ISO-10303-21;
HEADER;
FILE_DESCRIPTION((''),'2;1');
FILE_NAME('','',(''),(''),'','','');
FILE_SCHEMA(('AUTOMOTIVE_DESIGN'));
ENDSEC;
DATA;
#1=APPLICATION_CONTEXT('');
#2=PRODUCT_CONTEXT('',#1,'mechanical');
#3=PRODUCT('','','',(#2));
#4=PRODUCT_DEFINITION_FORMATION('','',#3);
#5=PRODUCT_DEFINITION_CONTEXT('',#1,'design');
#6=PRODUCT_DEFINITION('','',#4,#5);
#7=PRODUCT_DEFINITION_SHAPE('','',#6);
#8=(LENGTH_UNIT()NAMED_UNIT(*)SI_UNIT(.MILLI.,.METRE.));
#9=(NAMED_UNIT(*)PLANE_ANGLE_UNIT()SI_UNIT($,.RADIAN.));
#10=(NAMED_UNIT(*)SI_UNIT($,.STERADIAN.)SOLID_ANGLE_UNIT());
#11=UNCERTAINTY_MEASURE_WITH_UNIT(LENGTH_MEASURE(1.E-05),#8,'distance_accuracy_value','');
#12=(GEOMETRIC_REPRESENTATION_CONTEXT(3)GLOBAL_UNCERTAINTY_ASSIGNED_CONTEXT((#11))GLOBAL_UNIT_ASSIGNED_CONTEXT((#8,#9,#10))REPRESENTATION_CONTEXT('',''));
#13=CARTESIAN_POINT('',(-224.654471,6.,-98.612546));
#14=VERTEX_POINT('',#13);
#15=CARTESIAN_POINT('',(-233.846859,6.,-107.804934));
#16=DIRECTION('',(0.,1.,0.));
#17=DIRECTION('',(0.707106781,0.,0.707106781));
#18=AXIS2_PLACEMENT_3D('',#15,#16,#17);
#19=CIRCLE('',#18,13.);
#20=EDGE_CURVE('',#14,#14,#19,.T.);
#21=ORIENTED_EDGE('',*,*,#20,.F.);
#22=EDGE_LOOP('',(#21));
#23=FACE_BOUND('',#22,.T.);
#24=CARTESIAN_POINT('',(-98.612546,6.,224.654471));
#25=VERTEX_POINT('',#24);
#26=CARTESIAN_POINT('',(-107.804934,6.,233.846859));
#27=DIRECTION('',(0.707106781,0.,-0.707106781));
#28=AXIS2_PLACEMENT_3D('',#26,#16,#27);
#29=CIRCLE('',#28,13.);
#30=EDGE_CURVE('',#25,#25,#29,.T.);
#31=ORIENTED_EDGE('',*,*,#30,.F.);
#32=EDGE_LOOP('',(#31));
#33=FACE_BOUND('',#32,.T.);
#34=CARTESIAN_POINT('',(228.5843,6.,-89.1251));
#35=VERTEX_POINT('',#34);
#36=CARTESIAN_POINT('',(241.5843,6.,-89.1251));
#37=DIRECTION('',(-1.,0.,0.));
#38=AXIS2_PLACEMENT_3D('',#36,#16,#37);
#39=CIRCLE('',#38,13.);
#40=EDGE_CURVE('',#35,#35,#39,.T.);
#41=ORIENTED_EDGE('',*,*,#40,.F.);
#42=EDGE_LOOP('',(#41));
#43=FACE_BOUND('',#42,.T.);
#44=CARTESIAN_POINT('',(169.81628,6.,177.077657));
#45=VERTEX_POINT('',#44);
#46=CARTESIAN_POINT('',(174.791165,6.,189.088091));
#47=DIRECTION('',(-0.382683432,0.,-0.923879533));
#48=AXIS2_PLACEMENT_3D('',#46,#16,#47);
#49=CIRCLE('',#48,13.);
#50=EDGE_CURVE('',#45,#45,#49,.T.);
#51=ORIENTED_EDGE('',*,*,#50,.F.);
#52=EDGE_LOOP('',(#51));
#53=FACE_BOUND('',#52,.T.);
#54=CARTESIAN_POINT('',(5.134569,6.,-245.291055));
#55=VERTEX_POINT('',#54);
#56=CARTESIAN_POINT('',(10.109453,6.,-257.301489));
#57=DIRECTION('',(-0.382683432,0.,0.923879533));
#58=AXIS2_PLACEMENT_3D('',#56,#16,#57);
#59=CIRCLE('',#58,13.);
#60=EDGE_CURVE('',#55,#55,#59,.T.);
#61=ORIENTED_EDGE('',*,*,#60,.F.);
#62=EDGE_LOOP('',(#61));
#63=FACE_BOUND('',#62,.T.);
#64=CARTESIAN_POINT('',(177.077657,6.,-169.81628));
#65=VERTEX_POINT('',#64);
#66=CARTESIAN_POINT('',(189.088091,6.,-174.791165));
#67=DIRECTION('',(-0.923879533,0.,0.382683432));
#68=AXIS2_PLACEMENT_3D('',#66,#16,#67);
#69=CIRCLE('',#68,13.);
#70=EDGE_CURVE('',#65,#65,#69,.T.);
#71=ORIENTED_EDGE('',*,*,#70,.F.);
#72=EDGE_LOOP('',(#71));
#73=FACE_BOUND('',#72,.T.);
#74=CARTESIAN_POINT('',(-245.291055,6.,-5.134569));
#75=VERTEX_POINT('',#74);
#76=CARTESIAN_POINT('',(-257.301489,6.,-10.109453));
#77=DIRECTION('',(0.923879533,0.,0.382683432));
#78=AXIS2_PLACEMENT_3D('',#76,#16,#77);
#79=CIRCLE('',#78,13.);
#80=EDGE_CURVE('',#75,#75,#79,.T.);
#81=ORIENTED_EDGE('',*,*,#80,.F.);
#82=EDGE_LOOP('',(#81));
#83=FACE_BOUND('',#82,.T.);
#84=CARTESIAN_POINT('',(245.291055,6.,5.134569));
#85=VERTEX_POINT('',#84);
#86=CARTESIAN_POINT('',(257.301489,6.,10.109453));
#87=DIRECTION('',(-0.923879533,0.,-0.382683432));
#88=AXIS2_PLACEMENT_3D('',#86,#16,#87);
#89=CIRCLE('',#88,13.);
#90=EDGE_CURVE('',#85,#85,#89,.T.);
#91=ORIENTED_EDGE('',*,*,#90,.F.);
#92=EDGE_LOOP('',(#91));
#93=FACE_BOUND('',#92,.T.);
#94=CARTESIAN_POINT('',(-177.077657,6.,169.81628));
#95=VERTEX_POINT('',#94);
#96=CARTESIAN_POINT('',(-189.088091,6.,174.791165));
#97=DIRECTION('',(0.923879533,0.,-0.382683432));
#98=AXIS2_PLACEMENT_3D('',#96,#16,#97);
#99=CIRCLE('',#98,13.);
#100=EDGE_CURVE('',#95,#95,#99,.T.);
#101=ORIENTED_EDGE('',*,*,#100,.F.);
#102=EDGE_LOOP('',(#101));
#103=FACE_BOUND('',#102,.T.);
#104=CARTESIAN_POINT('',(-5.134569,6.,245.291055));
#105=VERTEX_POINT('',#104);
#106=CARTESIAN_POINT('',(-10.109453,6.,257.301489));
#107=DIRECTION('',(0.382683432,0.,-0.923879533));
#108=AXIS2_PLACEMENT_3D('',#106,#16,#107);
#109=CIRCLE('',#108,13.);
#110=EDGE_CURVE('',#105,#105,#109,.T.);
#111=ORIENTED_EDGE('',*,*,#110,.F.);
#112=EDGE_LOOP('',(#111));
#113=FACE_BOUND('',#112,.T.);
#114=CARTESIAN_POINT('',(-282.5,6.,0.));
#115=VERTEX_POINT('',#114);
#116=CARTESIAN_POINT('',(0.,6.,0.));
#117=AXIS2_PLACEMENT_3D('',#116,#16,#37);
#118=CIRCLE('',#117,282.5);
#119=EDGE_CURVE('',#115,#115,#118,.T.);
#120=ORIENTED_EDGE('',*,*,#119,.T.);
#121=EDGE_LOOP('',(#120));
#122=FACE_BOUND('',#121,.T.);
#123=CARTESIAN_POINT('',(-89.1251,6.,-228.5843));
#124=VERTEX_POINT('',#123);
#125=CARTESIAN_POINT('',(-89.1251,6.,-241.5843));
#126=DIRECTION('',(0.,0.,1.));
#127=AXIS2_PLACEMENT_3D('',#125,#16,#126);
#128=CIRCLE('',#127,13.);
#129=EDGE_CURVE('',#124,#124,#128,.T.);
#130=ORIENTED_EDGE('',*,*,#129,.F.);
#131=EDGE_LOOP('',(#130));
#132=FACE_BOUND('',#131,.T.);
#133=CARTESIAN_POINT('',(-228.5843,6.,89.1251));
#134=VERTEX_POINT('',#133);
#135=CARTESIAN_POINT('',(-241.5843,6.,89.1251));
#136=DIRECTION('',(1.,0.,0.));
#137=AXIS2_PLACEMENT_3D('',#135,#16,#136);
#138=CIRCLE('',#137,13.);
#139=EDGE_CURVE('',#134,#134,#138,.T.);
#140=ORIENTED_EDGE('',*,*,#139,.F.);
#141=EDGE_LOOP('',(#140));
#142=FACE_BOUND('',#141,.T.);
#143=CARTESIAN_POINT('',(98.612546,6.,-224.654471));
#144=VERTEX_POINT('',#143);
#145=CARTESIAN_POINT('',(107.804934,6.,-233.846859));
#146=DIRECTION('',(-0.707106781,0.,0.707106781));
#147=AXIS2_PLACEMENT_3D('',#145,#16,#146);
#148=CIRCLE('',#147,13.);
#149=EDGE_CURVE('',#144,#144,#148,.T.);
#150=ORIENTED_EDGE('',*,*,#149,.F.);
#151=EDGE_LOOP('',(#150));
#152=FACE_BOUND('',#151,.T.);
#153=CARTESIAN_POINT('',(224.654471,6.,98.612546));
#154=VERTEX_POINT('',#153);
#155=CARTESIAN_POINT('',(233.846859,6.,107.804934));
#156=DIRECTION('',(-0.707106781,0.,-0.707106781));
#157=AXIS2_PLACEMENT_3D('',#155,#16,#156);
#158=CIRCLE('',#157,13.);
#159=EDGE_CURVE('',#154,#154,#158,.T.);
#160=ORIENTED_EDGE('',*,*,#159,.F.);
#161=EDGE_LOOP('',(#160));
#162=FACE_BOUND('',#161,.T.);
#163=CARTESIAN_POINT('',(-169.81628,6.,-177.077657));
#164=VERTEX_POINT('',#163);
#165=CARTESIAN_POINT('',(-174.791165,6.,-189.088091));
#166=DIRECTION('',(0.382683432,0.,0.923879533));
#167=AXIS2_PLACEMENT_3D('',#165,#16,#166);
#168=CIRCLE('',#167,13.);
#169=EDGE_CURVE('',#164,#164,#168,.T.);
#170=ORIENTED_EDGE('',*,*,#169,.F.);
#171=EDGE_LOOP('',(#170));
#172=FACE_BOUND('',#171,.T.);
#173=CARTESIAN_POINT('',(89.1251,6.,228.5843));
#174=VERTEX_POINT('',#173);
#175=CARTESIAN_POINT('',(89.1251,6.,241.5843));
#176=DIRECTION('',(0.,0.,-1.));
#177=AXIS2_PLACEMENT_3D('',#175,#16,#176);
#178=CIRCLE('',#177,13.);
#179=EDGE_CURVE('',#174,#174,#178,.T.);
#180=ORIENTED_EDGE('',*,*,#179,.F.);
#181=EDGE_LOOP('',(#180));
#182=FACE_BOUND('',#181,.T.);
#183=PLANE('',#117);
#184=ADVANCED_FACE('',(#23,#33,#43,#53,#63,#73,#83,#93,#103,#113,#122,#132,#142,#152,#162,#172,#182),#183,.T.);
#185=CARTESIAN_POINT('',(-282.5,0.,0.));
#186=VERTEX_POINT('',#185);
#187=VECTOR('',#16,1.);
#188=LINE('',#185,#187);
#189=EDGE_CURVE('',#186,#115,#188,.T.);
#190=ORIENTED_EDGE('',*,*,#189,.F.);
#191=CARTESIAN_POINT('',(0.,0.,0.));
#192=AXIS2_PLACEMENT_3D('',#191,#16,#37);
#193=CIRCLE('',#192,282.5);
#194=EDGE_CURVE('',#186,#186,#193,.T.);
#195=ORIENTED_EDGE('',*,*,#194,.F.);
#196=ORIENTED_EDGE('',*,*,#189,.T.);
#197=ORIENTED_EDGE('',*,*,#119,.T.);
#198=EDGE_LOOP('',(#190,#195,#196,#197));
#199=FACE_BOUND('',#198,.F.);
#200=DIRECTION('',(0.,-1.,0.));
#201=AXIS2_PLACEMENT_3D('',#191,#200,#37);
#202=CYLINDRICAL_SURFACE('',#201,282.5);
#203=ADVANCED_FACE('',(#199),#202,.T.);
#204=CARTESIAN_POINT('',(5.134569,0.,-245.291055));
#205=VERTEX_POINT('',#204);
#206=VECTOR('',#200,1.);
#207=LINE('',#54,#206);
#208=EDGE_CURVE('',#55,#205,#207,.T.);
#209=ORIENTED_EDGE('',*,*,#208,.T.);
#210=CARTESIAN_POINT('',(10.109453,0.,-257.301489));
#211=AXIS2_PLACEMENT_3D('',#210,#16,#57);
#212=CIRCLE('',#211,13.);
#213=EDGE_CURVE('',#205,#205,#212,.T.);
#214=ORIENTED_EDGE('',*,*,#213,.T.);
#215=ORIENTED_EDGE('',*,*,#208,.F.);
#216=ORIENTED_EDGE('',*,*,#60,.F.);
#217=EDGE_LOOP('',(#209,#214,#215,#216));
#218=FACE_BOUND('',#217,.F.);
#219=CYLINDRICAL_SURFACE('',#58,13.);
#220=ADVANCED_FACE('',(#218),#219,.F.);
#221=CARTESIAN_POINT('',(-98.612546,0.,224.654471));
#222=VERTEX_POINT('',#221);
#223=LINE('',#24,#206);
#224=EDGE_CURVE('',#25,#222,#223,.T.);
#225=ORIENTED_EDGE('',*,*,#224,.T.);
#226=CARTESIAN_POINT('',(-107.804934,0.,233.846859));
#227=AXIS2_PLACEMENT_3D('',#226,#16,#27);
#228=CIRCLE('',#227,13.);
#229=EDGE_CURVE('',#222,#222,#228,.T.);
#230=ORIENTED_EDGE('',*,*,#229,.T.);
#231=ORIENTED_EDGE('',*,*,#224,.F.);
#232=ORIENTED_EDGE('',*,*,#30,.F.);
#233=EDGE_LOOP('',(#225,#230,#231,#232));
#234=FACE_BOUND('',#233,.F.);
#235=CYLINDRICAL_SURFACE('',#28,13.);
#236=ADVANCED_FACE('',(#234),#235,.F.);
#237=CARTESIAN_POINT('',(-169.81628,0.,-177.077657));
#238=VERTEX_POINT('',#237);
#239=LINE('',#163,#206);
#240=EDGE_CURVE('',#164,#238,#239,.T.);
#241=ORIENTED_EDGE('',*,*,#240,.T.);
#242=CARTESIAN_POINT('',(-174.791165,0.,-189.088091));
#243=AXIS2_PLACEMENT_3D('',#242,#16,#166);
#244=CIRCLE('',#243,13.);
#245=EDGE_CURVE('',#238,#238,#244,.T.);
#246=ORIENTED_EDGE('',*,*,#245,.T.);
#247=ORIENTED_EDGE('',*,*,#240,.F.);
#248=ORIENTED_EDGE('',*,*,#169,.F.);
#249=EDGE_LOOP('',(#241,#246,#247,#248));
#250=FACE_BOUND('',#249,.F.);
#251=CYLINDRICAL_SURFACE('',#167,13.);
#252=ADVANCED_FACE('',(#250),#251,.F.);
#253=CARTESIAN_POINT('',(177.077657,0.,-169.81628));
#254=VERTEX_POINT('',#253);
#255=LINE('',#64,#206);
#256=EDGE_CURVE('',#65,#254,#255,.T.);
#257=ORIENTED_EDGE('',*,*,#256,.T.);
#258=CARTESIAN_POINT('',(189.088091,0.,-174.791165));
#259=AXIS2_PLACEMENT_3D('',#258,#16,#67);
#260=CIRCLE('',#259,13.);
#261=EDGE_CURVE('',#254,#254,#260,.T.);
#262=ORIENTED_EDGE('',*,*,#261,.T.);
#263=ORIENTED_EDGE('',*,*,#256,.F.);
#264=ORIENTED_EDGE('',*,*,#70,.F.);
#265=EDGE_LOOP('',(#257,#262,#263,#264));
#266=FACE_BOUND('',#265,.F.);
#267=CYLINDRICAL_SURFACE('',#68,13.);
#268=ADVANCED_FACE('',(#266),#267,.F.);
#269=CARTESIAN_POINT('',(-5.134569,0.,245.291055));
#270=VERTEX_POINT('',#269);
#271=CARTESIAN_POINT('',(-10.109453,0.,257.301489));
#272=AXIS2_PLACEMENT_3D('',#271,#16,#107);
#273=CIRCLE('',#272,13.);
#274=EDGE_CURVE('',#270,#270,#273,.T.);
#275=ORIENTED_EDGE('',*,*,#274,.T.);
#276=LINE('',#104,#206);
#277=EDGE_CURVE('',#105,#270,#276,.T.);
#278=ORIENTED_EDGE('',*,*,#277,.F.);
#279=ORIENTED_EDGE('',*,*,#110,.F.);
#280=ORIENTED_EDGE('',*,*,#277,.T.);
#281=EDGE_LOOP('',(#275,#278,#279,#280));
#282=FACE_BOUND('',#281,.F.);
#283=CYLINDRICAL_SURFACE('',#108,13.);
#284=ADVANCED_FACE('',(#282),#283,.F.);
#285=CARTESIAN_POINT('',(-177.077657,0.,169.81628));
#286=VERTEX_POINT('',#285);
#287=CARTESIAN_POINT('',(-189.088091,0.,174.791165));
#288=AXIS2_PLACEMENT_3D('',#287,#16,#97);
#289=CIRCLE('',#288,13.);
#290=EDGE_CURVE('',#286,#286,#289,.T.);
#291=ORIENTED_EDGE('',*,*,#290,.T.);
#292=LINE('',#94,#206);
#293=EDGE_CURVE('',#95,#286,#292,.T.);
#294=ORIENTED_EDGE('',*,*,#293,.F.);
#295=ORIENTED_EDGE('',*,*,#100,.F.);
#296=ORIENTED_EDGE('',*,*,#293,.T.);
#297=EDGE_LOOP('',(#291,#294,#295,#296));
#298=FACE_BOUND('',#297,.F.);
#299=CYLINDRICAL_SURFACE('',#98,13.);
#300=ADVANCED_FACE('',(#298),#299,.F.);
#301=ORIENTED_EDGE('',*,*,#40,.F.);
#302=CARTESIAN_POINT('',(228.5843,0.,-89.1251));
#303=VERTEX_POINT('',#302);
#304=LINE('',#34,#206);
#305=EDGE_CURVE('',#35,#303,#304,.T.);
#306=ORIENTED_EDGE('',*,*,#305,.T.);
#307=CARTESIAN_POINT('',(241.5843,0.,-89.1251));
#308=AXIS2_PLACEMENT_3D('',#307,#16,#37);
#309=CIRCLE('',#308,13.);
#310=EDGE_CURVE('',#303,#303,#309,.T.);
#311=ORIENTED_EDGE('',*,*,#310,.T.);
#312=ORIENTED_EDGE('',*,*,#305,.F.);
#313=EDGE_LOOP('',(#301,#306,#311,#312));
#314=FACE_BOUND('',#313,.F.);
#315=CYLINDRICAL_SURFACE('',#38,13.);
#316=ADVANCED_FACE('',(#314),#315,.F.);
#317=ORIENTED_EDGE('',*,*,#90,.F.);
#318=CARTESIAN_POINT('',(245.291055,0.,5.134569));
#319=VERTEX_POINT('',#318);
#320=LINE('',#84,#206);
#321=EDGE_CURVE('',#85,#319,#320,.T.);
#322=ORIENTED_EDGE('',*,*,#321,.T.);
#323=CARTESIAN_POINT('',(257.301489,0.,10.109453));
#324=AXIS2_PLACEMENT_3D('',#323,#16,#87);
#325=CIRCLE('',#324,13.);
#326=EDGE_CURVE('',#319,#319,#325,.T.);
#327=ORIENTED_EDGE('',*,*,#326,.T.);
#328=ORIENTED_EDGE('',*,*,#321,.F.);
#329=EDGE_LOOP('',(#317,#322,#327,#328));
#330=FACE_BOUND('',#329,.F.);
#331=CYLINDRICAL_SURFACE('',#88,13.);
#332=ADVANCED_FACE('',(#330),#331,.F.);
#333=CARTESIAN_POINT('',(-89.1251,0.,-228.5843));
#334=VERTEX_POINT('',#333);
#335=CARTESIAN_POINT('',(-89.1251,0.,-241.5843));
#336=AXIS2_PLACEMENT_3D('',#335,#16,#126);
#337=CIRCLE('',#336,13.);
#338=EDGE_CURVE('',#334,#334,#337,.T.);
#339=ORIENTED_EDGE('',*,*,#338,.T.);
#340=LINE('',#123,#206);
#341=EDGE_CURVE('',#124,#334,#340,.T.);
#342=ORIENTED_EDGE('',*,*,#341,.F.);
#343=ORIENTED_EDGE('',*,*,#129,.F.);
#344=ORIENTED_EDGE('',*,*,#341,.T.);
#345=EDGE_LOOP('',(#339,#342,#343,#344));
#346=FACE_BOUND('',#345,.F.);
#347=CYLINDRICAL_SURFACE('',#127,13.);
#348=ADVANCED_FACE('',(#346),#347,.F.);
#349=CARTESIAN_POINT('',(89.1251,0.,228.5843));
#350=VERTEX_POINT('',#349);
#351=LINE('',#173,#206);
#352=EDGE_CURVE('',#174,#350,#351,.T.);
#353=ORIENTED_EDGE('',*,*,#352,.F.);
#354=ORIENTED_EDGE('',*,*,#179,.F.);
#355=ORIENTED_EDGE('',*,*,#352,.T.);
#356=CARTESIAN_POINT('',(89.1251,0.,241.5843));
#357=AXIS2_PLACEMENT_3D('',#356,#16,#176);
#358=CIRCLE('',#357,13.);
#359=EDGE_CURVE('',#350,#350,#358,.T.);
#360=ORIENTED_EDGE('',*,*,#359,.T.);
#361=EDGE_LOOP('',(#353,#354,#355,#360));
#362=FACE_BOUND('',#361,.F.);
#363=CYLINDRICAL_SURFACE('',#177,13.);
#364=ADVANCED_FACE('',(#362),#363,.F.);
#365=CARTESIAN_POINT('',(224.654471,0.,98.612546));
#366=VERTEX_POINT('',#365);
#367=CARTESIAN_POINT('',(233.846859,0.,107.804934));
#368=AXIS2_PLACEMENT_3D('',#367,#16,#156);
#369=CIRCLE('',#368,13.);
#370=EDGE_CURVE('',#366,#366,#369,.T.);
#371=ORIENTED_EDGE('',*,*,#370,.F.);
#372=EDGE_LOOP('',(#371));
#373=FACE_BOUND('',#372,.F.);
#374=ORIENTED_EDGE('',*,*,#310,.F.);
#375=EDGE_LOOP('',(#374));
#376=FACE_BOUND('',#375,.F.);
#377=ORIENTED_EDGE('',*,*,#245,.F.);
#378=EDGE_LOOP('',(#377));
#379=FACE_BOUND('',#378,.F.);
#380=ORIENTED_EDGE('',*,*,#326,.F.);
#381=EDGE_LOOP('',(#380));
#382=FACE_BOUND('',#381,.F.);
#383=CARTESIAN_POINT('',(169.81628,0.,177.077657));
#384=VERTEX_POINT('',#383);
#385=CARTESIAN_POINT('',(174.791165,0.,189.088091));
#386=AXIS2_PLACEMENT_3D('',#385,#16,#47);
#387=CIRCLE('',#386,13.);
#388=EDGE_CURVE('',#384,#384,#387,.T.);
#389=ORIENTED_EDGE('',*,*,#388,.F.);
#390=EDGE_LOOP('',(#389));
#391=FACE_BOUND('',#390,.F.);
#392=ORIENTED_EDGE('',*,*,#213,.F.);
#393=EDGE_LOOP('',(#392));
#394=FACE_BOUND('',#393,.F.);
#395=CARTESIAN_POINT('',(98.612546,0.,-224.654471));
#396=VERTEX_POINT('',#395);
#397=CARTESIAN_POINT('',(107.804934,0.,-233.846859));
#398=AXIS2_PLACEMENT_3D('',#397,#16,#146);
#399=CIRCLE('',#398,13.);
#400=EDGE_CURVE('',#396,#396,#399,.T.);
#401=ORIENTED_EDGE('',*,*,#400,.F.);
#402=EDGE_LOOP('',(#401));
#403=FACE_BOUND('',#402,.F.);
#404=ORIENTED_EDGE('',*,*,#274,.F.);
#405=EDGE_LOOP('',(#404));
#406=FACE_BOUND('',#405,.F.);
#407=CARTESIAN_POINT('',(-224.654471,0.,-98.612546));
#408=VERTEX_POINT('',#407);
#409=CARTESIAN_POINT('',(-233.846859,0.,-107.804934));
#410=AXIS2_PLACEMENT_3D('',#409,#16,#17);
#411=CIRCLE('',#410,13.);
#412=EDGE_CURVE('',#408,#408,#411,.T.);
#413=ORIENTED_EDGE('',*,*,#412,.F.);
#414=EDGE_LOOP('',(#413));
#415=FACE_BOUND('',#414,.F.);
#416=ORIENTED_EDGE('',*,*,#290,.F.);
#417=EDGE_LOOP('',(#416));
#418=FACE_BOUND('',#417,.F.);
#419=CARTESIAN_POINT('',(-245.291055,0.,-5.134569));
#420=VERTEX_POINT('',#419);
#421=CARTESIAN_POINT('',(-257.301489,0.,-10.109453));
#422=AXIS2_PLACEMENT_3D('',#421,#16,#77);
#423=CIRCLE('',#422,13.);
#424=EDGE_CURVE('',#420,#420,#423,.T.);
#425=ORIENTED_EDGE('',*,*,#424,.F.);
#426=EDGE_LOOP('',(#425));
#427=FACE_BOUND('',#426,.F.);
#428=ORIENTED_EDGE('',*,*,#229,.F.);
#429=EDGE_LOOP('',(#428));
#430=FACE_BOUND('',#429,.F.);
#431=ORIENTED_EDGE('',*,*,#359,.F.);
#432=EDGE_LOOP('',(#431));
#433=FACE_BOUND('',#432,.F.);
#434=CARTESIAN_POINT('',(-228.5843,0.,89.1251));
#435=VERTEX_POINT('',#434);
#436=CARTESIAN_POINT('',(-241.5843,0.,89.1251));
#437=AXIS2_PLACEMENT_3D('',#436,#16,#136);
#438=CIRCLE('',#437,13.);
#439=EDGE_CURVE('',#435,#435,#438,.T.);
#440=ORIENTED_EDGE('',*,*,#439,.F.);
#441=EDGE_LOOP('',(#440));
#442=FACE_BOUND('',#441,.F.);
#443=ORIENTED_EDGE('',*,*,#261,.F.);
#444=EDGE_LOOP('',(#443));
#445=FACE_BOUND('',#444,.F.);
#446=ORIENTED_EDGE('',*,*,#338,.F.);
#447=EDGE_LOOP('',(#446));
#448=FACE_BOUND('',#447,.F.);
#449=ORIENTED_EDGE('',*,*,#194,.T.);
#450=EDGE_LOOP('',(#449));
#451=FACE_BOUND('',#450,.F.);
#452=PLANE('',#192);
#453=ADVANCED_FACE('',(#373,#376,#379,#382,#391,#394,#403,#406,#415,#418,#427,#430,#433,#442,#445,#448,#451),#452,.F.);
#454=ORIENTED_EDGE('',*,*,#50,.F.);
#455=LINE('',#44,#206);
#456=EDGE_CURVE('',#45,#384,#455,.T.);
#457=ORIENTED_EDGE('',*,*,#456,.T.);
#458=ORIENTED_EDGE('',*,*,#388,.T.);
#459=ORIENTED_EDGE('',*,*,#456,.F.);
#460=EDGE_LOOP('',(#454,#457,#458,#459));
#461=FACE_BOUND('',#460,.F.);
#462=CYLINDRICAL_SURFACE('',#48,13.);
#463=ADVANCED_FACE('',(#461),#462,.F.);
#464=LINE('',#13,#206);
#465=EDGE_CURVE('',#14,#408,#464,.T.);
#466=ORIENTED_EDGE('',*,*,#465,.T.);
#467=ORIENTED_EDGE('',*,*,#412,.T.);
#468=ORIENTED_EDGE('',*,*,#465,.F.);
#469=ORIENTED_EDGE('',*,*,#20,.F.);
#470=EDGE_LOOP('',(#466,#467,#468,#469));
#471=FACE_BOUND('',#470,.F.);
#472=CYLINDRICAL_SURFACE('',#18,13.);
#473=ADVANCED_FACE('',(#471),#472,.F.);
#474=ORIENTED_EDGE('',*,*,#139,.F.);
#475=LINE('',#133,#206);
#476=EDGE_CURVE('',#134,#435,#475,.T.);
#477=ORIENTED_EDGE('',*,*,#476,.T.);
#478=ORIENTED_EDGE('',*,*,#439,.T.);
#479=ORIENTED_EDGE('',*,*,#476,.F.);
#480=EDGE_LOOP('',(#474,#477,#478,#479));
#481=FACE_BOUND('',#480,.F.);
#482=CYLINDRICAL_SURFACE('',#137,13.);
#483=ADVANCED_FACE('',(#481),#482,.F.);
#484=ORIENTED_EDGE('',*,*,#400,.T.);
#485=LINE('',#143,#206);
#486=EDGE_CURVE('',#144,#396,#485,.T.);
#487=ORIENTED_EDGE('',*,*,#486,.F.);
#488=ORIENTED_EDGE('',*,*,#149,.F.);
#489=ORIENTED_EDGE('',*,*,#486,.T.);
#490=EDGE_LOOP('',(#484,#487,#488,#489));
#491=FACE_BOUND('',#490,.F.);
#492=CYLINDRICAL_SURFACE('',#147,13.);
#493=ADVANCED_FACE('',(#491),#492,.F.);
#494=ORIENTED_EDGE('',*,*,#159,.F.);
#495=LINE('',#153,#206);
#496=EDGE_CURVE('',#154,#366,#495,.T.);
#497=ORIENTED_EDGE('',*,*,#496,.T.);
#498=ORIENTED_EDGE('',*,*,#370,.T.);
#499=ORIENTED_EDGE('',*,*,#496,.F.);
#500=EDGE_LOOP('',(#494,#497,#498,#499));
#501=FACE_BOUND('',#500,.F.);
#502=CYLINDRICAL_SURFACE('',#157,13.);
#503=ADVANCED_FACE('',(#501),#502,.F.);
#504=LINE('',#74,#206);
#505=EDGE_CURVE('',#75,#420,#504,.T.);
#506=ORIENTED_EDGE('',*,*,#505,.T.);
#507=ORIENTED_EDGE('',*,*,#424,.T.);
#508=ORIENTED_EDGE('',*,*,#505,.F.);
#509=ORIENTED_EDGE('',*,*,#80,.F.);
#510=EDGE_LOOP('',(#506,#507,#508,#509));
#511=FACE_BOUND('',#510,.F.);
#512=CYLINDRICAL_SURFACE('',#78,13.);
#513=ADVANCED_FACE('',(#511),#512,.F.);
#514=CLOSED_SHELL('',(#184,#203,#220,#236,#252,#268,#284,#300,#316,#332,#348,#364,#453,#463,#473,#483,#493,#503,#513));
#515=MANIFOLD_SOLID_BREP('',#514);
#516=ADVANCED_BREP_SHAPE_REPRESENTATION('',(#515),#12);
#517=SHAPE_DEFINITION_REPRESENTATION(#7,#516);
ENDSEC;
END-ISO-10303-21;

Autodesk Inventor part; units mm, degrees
ref_plane "YZ Plane" through (0, 0, 0) normal (1, 0, 0) x (0, 1, 0)
ref_plane "XZ Plane" through (0, 0, 0) normal (0, 1, 0) x (-1, 0, 0)
ref_plane "XY Plane" through (0, 0, 0) normal (0, 0, 1) x (1, 0, 0)
sketch "Sketch1" plane through (0, 0, 0) normal (0, 1, 0) x (-1, 0, 0)
  circle A0 centre (0, 0) radius 282.5
  dimension "d0" = 565
extrude "Extrusion1" add sketch "Sketch1" along normal blind 6
sketch "Sketch2" plane through (0, 6, 0) normal (0, 1, 0) x (1, 0, 0)
  circle A0 centre (0, 0) radius 257.5 construction
  line L0 (0, 0) -> (-257.5, 0) construction
  line L1 (0, 0) -> (-241.5843, -89.1251) construction
  circle A1 centre (-241.5843, -89.1251) radius 13
  dimension "d4" = 515
  dimension "d11" = 26
  dimension "d12" = 20.25
extrude "Cut1" cut sketch "Sketch2" against normal blind 6
pattern_circular "Circular Pattern1" count 16 over 360 about axis through (0, 0, 0) along (0, 1, 0) of "Cut1"
equation "\"d6\" = Thickness"
equation "\"BendRadius\" = Thickness"
equation "\"BendReliefWidth\" = Thickness"
equation "\"BendReliefDepth\" = 0.5 * Thickness"
equation "\"CornerReliefSize\" = 4 * Thickness"
equation "\"MinimumRemnant\" = 2 * Thickness"
equation "\"TransitionRadius\" = BendRadius"
equation "\"JacobiRadiusSize\" = BendRadius"
equation "\"GapSize\" = Thickness"
equation "\"d5\" = Thickness"
equation "\"Thickness\" = 6"
properties part number "TZS 0912 charging hatch 500 mm" material "Steel"
